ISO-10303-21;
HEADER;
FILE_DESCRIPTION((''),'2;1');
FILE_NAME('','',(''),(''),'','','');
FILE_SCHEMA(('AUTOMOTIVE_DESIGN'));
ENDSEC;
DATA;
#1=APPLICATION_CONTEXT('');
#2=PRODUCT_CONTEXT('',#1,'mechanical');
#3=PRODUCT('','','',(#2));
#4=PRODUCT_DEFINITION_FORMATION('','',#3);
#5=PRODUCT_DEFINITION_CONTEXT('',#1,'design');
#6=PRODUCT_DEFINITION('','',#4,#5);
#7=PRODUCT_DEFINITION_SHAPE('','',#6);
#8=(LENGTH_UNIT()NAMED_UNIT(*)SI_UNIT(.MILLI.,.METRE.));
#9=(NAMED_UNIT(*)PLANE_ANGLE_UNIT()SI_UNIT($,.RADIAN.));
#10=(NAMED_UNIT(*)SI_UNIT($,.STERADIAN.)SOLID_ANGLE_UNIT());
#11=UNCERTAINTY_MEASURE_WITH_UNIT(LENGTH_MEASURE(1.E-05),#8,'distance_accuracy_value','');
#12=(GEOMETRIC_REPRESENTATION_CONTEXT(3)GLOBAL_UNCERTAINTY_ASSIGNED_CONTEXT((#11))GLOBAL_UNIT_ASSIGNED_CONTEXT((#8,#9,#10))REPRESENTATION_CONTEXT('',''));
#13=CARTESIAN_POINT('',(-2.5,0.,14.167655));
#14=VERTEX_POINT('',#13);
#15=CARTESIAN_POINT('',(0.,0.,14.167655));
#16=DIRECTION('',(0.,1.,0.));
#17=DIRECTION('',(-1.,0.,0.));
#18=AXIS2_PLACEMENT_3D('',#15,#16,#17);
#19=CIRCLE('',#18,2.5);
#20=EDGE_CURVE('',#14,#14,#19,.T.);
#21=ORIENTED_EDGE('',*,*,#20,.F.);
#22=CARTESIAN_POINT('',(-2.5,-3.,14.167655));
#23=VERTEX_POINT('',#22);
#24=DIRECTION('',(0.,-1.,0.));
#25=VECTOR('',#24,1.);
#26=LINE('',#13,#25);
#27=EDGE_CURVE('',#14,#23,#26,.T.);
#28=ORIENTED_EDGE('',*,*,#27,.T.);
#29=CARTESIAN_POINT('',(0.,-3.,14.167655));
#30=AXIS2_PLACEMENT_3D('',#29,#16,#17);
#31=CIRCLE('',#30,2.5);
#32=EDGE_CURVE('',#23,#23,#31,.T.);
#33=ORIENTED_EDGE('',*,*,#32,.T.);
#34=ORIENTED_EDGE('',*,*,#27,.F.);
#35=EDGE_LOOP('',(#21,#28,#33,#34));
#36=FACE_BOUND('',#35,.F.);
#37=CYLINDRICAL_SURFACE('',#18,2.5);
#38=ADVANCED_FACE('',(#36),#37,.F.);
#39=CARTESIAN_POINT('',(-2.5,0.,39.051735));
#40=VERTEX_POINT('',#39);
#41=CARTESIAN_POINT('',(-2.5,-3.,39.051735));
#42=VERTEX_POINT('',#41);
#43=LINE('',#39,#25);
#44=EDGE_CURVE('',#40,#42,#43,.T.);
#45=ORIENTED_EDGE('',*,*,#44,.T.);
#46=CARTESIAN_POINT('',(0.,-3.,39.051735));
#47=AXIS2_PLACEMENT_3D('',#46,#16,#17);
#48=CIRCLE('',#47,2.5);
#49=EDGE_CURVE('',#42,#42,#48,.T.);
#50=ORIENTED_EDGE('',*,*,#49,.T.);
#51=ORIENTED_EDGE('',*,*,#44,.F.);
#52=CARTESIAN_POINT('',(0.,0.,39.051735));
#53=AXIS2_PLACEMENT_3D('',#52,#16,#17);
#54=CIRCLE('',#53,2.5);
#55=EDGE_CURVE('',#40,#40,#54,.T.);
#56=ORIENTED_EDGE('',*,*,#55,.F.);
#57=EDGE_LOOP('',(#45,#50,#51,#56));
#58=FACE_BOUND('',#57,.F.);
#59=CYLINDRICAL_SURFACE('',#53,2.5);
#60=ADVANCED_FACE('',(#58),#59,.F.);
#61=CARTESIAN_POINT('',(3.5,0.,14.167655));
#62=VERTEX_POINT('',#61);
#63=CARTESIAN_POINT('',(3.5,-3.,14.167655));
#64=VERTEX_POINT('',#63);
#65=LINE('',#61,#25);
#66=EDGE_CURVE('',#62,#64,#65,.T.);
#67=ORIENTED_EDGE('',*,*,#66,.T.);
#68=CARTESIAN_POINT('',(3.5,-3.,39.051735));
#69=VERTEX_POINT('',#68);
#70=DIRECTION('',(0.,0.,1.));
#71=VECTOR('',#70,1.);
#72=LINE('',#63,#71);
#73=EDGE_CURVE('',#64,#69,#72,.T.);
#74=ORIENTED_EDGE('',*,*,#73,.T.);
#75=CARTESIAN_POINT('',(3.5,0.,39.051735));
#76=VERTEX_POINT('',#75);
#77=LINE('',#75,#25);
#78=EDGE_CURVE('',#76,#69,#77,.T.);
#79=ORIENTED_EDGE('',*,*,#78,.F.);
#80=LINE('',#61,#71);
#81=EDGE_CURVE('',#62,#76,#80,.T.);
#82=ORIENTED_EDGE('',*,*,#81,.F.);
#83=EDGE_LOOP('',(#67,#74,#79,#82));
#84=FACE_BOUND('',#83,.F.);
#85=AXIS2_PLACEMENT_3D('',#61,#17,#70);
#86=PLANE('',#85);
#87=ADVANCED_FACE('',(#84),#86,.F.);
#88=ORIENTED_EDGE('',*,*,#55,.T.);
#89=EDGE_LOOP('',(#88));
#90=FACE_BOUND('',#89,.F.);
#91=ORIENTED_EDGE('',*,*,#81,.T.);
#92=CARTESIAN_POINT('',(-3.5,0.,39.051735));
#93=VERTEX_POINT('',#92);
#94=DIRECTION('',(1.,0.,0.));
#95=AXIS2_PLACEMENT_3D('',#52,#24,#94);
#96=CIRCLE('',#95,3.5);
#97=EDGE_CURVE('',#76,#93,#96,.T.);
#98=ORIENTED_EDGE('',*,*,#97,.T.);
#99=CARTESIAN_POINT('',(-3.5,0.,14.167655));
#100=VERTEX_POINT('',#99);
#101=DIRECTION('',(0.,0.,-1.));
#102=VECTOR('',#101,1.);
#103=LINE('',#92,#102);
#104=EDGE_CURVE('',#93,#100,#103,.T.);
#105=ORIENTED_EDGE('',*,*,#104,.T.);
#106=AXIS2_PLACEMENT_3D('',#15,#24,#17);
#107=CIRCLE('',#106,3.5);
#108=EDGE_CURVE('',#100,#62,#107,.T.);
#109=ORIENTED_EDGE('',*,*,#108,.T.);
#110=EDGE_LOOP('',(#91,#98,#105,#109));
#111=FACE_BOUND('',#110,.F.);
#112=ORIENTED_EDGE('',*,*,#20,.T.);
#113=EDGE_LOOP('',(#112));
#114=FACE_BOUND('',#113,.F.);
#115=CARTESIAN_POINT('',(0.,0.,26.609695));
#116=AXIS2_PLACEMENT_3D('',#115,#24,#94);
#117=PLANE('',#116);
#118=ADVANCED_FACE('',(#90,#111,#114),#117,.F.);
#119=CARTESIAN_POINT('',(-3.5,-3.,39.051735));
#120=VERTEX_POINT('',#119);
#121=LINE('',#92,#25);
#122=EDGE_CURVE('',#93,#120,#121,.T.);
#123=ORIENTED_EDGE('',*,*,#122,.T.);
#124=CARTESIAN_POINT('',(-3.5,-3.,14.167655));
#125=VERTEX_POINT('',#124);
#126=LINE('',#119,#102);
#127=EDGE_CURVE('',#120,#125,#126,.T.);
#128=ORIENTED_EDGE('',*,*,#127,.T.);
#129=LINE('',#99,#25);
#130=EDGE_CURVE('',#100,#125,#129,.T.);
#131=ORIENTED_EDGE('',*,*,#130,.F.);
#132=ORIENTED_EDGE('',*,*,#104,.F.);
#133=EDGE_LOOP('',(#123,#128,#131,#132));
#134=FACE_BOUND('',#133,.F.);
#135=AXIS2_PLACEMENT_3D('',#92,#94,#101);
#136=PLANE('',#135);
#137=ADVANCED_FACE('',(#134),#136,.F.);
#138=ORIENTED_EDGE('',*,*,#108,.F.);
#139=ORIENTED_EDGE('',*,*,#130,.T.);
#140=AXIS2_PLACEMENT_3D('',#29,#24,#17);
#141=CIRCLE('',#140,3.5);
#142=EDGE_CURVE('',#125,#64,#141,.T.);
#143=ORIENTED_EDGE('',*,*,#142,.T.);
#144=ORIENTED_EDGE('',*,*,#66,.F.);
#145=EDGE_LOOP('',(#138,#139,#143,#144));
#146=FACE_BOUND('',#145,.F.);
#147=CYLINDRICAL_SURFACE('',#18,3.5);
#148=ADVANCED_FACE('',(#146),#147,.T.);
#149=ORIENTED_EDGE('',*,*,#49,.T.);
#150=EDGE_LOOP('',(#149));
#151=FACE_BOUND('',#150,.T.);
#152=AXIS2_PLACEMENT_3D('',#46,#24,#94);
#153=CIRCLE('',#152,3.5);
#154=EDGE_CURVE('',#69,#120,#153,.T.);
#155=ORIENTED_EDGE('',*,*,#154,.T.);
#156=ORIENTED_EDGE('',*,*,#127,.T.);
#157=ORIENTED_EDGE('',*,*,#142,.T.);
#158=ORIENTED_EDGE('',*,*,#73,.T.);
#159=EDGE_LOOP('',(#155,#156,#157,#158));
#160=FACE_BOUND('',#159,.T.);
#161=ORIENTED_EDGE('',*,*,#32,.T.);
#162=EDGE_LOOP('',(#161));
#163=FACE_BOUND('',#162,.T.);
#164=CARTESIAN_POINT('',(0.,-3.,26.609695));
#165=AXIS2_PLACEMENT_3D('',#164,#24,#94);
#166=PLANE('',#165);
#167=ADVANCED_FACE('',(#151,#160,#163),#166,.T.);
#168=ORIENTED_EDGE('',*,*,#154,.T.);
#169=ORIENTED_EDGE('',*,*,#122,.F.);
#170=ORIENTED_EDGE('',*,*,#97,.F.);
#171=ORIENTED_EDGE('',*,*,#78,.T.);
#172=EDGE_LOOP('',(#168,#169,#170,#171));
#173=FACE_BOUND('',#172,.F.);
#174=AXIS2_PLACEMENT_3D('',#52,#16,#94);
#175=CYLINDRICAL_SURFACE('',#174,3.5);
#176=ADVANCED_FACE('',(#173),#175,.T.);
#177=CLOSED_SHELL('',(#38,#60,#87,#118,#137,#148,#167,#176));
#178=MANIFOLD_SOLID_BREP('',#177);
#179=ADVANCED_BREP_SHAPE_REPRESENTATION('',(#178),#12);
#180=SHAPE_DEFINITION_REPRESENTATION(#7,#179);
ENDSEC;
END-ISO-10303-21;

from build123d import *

# Parameters (mm, degrees)
F1_DEPTH = 3


with BuildPart() as f1:
    # F0 (on Front) → F1 (new body)
    with BuildSketch(Plane.XZ):
        with BuildLine():
            Line((-3.5, 39.051735), (-3.5, 26.609695))
            Line((-3.5, 26.609695), (-3.5, 14.167655))
            ThreePointArc((-3.5, 14.167655), (0, 10.667655), (3.5, 14.167655))
            Line((3.5, 14.167655), (3.5, 26.609695))
            Line((3.5, 26.609695), (3.5, 39.051735))
            ThreePointArc((3.5, 39.051735), (0, 42.551735), (-3.5, 39.051735))
        make_face()
        with BuildLine():
            ThreePointArc((2.5, 14.167655), (0, 11.667655), (-2.5, 14.167655))
            ThreePointArc((-2.5, 14.167655), (0, 16.667655), (2.5, 14.167655))
        make_face(mode=Mode.SUBTRACT)
        with BuildLine():
            ThreePointArc((2.5, 39.051735), (0, 36.551735), (-2.5, 39.051735))
            ThreePointArc((-2.5, 39.051735), (0, 41.551735), (2.5, 39.051735))
        make_face(mode=Mode.SUBTRACT)
    extrude(amount=F1_DEPTH)


solid = f1.part
